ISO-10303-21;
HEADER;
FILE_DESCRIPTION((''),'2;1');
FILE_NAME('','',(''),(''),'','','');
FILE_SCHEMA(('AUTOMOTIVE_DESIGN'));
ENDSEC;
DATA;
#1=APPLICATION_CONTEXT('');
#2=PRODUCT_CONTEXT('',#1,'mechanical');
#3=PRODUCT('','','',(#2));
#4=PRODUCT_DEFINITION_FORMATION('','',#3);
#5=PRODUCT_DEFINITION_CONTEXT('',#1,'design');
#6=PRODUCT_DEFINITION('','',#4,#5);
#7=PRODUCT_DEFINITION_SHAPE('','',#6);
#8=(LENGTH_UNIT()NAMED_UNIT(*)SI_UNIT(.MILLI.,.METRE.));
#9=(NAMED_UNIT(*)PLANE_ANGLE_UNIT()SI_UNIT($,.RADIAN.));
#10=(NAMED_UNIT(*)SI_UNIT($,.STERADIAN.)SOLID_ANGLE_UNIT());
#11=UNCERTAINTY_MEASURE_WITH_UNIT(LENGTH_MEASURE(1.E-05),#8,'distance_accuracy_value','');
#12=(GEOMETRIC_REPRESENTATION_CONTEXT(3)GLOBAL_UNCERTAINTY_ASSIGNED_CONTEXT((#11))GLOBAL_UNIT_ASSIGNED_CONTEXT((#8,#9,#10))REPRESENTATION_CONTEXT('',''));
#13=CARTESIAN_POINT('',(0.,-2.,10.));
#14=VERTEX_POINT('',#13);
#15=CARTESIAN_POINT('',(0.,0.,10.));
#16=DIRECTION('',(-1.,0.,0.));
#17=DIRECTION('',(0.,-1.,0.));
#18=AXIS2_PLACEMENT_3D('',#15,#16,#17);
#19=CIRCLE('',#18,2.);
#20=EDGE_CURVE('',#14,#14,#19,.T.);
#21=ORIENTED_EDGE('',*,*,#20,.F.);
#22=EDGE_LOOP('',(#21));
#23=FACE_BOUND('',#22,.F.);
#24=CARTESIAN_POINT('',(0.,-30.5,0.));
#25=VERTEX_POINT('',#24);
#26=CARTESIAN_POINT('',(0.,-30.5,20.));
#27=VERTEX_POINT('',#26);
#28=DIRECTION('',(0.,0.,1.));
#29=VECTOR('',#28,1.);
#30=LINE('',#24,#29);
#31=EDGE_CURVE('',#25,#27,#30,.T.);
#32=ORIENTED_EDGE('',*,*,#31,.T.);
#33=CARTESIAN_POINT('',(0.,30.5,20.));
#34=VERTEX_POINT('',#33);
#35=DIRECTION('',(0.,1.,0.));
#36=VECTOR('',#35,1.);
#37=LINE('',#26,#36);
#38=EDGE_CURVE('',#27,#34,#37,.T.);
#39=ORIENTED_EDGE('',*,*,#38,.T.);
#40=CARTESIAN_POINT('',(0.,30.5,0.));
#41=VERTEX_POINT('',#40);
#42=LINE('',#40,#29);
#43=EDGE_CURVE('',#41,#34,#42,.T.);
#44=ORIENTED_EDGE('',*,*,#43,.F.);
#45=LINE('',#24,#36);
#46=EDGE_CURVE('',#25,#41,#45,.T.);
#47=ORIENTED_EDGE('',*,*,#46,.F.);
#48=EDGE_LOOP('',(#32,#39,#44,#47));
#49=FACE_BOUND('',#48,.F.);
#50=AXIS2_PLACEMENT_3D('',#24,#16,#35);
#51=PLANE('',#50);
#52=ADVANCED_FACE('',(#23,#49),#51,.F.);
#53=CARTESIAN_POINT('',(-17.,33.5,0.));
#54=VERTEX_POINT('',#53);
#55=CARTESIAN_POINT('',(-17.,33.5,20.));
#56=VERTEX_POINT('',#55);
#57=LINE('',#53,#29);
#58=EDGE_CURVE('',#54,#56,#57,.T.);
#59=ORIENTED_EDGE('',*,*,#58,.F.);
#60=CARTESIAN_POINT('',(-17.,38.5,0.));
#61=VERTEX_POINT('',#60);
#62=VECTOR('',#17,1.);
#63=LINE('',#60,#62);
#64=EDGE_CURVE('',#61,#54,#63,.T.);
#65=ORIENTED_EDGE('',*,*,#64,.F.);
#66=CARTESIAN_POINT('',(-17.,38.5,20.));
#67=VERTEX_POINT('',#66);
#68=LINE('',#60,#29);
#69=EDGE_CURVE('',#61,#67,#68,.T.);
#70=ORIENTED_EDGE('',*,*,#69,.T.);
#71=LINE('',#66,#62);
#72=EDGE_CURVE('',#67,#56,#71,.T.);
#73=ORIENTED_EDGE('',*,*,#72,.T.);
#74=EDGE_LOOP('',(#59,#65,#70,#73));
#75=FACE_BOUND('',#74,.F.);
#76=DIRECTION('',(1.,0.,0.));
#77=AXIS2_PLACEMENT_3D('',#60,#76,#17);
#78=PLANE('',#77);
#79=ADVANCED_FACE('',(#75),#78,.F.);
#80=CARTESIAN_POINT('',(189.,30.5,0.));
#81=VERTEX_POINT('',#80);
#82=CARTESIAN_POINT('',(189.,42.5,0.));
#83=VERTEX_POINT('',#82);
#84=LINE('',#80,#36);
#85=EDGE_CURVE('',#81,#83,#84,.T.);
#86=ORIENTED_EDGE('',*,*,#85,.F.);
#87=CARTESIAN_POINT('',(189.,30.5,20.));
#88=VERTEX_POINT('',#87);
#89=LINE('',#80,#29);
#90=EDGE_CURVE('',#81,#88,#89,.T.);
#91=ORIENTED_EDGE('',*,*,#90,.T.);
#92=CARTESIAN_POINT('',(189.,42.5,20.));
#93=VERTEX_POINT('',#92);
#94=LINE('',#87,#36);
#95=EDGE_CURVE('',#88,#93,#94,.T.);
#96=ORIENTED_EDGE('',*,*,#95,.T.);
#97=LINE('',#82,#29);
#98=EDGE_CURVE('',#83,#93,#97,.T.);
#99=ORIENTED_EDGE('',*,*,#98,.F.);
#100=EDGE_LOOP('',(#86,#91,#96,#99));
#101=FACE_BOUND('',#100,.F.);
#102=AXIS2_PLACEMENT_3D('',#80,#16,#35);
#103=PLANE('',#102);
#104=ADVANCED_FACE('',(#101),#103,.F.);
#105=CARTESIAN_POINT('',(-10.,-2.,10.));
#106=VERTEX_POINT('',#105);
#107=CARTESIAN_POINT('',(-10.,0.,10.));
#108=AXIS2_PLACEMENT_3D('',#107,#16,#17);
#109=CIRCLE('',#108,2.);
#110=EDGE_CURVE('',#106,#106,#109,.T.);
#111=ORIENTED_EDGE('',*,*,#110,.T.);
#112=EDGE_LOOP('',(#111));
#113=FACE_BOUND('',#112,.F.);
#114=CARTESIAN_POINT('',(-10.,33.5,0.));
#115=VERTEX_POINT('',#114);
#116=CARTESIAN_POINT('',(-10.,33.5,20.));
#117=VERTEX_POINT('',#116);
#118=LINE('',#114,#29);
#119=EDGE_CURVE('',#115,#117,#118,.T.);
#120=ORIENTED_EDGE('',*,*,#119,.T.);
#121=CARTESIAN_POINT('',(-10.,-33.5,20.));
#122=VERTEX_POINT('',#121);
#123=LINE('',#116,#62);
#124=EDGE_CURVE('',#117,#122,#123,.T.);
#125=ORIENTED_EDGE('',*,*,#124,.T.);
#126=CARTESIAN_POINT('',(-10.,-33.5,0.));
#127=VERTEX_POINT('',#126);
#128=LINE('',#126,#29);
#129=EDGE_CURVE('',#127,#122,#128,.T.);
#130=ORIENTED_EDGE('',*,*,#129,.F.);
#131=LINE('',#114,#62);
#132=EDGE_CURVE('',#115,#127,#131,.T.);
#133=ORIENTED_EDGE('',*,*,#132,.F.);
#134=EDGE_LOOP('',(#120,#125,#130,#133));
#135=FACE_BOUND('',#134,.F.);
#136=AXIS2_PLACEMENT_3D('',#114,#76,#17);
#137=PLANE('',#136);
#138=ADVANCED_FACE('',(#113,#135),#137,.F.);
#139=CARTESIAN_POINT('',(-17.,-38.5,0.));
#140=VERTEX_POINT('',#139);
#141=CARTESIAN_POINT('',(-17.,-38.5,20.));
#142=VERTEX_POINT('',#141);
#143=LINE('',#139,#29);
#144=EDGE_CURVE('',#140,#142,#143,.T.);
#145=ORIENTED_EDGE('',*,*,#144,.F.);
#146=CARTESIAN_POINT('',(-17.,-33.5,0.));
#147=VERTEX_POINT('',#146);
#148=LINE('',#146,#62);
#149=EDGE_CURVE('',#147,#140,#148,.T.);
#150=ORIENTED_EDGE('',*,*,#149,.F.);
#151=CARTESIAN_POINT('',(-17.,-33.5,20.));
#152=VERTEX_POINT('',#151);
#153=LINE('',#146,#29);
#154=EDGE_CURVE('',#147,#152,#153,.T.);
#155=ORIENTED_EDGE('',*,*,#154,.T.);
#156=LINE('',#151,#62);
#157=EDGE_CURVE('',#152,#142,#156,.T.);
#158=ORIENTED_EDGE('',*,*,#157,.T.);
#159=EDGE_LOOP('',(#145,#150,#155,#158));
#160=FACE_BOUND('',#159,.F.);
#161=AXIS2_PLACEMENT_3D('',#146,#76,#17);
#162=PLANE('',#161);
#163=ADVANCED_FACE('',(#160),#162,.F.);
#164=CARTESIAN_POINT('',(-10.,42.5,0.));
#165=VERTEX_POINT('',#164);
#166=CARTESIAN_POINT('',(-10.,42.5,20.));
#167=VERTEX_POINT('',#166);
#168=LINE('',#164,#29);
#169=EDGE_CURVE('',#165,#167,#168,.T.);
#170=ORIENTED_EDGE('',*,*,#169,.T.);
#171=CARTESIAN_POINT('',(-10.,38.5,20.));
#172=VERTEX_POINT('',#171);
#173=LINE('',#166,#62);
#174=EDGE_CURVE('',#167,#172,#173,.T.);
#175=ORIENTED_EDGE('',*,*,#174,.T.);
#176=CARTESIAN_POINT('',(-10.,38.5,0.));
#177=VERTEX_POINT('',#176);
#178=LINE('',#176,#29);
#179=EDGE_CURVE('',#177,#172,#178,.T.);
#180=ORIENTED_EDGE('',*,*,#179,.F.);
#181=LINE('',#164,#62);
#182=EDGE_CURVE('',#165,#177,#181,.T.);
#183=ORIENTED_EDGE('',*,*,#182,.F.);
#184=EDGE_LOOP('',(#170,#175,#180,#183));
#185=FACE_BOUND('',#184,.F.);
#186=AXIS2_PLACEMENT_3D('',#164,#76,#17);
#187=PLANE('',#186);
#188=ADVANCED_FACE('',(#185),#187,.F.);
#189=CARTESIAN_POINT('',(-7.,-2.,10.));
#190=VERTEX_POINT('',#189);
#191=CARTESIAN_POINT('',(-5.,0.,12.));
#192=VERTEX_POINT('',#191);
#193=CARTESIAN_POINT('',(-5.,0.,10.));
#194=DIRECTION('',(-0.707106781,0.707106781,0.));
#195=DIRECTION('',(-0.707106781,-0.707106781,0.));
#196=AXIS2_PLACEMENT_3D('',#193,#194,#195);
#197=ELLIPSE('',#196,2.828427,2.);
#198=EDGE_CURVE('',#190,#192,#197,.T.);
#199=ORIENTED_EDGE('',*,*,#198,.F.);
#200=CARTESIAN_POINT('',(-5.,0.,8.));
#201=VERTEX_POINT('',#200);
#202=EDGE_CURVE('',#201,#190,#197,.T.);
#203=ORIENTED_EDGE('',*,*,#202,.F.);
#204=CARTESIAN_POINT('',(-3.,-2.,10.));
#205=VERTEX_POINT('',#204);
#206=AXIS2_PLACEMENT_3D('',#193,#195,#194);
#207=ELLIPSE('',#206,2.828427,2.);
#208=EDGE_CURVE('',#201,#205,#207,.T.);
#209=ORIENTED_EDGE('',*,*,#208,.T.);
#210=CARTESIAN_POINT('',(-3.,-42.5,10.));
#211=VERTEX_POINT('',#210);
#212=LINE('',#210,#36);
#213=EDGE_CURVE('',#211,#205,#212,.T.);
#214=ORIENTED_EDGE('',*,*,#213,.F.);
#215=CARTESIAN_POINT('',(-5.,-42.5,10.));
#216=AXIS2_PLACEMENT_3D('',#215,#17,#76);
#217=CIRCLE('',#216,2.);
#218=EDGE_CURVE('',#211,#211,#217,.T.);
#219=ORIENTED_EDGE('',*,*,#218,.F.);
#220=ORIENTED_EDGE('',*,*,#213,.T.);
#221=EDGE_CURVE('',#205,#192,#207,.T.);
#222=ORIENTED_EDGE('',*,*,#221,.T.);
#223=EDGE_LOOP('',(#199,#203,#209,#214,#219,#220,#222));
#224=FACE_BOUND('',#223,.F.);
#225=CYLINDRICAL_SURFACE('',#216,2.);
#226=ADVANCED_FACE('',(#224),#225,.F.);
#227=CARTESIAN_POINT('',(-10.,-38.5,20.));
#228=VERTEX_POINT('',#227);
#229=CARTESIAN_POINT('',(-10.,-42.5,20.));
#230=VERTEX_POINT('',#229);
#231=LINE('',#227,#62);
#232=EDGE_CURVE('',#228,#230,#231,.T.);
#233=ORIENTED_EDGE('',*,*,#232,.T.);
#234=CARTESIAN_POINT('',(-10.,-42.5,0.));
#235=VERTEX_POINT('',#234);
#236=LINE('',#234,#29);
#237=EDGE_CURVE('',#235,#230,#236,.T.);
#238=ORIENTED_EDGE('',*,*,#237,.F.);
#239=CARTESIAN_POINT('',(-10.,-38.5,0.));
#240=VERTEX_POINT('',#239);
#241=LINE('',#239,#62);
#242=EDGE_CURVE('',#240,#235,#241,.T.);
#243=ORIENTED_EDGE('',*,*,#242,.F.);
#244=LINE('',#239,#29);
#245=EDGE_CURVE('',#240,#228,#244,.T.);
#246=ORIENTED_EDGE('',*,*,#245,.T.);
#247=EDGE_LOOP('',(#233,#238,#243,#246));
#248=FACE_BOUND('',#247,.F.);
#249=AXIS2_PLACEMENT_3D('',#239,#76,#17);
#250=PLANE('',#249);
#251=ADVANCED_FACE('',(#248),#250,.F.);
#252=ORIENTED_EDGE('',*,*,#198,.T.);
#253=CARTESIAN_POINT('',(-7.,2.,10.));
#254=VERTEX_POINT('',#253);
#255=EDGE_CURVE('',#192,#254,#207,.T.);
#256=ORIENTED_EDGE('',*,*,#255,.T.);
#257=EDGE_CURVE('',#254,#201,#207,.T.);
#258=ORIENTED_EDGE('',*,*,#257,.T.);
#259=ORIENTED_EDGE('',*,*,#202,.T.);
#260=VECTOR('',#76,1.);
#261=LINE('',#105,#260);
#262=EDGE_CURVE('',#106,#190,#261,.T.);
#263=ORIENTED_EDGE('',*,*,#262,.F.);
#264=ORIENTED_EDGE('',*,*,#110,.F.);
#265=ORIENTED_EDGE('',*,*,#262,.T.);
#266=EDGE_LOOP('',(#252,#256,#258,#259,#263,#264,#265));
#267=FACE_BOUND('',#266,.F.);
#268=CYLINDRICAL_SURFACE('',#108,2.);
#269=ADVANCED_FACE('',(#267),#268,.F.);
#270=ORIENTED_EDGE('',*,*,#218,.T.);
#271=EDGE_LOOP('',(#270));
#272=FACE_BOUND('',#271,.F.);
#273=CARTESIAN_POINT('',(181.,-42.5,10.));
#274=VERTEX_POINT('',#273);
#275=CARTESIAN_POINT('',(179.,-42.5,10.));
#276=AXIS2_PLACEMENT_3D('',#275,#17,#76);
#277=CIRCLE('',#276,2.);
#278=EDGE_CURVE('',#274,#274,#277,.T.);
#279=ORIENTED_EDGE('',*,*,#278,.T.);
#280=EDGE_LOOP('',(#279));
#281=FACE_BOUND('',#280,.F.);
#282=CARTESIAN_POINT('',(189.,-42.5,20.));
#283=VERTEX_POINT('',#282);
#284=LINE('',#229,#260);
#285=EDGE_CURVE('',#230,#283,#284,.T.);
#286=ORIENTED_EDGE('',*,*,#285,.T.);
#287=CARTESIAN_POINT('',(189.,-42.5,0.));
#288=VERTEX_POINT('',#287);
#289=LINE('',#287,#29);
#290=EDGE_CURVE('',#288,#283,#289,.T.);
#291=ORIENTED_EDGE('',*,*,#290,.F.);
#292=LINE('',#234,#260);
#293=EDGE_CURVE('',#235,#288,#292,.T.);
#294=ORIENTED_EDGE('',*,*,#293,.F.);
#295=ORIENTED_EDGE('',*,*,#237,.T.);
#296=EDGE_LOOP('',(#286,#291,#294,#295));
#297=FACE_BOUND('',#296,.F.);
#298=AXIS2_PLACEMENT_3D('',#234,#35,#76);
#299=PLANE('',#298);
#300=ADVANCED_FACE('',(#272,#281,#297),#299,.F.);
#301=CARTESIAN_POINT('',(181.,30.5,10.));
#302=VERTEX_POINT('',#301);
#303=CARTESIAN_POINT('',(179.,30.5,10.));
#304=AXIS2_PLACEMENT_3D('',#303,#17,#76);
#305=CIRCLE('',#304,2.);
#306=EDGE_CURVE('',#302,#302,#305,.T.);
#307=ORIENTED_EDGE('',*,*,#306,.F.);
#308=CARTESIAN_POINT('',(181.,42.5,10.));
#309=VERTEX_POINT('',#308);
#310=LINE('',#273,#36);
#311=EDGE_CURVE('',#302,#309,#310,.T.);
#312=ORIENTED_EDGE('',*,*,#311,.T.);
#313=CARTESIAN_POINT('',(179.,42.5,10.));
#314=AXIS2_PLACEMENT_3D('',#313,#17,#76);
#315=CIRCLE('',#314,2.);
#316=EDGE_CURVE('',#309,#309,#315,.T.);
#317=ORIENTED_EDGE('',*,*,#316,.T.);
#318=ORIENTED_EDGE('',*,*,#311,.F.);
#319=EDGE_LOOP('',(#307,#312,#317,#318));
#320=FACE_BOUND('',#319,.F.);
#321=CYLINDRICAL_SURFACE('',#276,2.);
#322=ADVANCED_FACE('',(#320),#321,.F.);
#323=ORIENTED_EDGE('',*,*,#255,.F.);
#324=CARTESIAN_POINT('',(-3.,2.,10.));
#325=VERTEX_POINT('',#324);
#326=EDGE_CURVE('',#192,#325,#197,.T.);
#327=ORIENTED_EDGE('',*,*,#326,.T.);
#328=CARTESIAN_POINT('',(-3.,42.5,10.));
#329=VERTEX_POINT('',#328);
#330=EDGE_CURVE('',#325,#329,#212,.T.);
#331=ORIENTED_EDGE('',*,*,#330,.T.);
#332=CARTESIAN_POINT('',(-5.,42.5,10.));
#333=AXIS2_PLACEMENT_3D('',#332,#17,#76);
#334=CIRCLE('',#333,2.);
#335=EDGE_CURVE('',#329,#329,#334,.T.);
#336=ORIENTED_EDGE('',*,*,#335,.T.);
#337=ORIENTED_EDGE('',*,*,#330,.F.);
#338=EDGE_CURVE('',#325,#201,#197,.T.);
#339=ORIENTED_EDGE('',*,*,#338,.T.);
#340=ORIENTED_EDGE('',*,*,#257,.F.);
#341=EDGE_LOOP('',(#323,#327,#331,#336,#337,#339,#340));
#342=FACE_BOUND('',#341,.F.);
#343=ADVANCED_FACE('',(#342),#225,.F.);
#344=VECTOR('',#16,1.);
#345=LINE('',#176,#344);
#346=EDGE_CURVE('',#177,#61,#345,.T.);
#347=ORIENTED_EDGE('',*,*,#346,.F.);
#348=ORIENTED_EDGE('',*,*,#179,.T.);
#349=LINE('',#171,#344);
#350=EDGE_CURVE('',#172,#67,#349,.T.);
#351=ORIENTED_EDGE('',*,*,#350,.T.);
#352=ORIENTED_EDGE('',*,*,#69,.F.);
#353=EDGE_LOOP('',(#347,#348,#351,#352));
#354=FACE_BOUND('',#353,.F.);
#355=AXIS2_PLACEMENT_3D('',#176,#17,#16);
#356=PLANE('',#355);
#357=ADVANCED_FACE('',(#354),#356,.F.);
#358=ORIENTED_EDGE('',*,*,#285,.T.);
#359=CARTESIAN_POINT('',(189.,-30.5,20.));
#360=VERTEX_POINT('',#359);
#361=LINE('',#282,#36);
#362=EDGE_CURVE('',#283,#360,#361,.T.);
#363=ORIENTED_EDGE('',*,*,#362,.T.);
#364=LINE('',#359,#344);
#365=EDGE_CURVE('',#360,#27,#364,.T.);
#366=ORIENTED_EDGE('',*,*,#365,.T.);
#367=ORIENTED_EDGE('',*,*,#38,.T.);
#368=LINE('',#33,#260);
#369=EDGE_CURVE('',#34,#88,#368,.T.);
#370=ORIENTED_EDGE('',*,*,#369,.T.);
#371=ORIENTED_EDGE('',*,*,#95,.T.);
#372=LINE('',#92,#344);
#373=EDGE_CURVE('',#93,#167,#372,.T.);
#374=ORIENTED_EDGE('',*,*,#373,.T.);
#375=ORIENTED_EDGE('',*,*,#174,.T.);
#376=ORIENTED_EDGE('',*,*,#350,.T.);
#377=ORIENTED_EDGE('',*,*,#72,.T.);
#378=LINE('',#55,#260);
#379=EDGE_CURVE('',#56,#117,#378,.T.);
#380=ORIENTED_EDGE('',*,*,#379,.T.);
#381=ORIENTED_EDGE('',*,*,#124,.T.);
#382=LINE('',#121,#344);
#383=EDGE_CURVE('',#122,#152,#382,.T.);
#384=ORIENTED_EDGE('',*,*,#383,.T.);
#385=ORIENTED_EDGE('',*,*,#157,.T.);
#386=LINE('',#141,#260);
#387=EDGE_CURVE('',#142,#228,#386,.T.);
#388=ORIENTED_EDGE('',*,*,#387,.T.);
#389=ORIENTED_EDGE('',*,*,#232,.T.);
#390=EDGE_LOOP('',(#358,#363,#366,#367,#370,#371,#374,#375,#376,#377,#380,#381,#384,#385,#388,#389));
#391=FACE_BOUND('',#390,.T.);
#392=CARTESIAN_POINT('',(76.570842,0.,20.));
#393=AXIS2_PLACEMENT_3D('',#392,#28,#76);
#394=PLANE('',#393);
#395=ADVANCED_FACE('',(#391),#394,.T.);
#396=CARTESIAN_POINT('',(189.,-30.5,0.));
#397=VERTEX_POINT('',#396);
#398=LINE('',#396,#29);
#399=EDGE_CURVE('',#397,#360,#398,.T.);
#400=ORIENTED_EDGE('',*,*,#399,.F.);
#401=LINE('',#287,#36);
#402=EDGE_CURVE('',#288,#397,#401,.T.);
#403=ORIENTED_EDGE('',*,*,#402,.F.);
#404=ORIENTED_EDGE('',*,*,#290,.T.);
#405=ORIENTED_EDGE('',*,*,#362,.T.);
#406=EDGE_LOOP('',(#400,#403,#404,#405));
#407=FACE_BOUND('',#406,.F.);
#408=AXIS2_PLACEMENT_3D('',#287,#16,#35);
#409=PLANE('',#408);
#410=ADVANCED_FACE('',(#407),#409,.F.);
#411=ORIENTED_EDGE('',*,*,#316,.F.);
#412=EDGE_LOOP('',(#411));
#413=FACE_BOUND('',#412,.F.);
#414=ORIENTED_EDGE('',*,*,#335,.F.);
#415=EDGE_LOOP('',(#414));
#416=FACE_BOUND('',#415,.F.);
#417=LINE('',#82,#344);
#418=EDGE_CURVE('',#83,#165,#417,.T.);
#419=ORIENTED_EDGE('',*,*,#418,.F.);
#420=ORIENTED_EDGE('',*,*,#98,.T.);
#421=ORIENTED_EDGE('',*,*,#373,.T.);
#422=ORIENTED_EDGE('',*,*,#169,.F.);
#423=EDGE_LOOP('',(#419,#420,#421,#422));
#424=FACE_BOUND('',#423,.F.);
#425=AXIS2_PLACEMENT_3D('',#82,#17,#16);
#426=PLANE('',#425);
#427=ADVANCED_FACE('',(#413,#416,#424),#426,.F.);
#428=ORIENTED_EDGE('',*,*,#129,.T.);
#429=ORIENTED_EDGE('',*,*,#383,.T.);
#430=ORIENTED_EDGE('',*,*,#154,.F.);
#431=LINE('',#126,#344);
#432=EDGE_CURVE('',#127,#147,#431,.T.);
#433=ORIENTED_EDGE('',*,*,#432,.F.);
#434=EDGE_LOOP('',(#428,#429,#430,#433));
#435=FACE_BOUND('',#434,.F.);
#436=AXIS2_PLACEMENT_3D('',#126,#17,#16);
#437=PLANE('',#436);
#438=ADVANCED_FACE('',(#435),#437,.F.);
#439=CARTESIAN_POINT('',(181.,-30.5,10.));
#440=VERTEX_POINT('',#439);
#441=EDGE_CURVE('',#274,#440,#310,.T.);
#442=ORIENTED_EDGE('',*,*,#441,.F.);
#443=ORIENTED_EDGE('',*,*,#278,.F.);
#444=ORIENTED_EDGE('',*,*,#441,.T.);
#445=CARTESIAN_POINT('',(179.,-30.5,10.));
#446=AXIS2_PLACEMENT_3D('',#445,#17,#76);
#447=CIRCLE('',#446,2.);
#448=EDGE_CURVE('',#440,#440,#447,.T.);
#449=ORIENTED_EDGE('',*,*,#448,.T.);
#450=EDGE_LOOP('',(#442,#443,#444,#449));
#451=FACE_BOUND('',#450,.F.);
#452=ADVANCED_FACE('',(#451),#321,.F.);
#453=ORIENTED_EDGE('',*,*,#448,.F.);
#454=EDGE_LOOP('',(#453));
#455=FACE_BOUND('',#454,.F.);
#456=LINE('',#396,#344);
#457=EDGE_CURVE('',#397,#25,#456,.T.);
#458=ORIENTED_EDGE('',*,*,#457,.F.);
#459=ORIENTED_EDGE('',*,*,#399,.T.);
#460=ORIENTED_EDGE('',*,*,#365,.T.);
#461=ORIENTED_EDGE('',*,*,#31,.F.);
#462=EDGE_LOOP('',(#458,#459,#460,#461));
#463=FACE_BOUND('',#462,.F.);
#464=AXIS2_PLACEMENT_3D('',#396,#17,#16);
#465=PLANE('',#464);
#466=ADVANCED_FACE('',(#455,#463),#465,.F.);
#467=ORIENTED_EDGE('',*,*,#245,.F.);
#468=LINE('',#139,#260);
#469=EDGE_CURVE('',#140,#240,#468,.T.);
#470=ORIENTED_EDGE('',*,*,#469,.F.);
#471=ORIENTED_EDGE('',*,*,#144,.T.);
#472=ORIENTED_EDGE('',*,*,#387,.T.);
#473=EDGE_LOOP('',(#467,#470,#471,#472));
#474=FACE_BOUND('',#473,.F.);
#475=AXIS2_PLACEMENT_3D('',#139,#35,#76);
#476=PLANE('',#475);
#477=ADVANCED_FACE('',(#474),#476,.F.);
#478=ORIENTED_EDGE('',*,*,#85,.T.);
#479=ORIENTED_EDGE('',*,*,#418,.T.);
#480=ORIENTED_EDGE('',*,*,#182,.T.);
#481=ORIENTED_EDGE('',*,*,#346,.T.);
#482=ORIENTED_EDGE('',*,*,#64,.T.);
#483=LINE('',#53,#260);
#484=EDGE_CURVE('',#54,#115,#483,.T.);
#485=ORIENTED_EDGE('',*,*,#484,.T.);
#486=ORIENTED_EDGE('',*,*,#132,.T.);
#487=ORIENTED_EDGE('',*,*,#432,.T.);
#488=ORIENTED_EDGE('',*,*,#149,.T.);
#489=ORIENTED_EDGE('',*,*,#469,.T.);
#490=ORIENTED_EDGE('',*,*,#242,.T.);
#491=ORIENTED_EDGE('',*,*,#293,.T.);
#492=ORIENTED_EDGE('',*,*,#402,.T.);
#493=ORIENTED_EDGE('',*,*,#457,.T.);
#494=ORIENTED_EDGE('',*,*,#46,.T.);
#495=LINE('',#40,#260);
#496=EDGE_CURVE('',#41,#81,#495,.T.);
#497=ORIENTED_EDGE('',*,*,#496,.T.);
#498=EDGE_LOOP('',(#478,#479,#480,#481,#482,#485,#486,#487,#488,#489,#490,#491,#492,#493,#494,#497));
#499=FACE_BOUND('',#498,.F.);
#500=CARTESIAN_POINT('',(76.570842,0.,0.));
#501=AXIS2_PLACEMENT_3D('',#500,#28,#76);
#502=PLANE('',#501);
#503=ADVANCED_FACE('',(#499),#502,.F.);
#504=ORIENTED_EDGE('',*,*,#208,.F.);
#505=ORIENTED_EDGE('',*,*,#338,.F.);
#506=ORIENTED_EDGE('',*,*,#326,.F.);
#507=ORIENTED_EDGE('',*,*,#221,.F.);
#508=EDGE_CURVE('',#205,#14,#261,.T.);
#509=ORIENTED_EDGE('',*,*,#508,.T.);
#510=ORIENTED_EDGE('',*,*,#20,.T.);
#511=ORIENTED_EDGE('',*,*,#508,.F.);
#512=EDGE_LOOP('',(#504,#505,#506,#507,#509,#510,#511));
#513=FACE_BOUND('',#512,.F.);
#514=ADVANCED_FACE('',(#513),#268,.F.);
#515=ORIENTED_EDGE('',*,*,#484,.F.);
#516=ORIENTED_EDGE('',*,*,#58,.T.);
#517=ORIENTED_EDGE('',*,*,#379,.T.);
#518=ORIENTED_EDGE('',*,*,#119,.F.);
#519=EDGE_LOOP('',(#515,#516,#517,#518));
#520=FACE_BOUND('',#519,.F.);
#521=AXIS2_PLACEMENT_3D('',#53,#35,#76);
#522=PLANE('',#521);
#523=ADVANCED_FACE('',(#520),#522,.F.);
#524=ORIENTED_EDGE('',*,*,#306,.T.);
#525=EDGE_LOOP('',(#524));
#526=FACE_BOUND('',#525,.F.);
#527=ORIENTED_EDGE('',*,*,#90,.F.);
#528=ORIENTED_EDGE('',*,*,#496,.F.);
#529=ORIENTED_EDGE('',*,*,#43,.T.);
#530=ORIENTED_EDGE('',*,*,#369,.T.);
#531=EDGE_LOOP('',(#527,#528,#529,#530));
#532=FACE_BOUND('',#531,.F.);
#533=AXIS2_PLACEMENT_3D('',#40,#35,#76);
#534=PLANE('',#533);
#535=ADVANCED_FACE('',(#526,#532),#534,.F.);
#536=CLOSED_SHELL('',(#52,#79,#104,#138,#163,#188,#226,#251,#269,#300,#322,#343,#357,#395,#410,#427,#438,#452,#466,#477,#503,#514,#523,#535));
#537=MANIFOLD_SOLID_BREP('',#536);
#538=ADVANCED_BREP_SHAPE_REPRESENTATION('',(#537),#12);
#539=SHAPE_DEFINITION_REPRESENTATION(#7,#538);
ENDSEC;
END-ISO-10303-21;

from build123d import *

# Parameters (mm, degrees)
PAD_DEPTH       = 20
SKETCH004_R     = 2
POCKET002_DEPTH = 199.001
SKETCH005_R     = 2
POCKET003_DEPTH = 85.001


with BuildPart() as part:
    # Sketch → Pad (new body)
    with BuildSketch(Plane.XY):
        Polygon((-10, -42.5), (189, -42.5), (189, -30.5), (0, -30.5), (0, 30.5), (189, 30.5), (189, 42.5), (-10, 42.5), (-10, 38.5), (-17, 38.5), (-17, 33.5), (-10, 33.5), (-10, -33.5), (-17, -33.5), (-17, -38.5), (-10, -38.5), align=None)
    extrude(amount=PAD_DEPTH)

    # Sketch004 → Pocket002 (cut, through all)
    with BuildSketch(Plane(origin=(-10, 0, 0), x_dir=(0, -1, 0), z_dir=(-1, 0, 0))):
        with Locations((0, 10)):
            Circle(SKETCH004_R)
    extrude(amount=-POCKET002_DEPTH, mode=Mode.SUBTRACT)

    # Sketch005 → Pocket003 (cut, through all)
    with BuildSketch(Plane.XZ.offset(42.5)):
        with Locations((-5, 10)):
            Circle(SKETCH005_R)
        with Locations((179, 10)):
            Circle(SKETCH005_R)
    extrude(amount=-POCKET003_DEPTH, mode=Mode.SUBTRACT)


solid = part.part
